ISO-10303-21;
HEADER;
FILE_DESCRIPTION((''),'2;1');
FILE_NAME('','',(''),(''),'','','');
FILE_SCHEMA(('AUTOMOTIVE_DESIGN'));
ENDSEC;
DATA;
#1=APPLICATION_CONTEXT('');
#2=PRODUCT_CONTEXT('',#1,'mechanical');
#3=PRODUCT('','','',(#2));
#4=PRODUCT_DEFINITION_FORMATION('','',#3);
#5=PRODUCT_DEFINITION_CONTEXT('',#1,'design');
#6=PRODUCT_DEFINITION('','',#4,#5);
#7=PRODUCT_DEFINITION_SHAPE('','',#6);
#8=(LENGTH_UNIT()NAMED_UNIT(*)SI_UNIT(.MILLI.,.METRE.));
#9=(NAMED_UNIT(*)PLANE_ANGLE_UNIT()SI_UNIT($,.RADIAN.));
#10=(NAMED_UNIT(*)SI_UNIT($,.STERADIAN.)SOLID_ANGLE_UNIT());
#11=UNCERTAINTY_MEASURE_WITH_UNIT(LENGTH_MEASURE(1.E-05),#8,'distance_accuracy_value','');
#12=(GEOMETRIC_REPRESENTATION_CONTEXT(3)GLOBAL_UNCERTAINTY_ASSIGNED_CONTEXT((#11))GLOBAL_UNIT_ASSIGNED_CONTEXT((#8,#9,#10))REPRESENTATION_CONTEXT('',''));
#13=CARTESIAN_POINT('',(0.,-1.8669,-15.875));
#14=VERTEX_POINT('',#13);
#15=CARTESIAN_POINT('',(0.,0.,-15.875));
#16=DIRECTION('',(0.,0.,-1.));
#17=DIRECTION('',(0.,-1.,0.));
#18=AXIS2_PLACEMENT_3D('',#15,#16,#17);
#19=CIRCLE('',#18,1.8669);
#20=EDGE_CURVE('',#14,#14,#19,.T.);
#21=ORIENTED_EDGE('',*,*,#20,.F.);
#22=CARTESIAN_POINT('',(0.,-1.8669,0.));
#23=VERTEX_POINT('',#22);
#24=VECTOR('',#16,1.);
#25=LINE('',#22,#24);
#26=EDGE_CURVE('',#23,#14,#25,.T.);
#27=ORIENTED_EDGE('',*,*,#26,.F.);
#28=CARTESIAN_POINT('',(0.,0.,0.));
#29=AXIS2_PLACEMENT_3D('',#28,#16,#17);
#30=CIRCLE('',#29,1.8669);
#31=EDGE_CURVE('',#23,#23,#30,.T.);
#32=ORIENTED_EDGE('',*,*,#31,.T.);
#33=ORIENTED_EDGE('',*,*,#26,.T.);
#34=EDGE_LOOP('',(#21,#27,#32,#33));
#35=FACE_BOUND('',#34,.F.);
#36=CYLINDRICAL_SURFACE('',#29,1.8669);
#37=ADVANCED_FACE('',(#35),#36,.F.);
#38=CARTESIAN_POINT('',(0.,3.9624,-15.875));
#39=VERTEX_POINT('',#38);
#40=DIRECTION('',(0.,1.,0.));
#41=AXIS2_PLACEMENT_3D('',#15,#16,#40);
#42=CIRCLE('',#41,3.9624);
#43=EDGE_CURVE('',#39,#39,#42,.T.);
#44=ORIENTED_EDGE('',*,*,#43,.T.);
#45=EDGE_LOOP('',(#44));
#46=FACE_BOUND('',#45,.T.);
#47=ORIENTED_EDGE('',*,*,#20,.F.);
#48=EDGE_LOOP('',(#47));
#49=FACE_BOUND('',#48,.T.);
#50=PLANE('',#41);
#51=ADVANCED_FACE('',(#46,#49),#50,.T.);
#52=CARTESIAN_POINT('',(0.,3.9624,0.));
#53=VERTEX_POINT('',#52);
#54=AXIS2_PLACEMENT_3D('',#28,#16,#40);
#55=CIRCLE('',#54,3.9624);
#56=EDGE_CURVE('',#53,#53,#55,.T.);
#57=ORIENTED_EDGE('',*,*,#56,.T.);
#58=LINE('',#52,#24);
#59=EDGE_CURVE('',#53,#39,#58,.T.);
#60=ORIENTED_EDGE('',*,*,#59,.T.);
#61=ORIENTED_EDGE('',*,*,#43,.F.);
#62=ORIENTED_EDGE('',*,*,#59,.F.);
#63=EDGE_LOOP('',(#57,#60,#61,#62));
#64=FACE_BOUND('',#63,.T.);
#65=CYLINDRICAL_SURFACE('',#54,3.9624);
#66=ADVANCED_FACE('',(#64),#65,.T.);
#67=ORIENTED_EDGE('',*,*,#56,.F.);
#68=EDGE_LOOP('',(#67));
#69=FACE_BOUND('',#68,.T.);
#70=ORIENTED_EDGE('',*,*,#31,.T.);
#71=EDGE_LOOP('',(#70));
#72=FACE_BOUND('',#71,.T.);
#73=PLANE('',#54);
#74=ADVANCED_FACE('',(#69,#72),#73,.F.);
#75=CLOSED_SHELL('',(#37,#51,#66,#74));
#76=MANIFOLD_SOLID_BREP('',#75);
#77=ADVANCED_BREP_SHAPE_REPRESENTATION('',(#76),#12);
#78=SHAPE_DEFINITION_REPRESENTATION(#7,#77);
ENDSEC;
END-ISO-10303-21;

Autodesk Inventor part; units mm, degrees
sketch "Sketch_1" plane through (0, 0, 0) normal (1, 0, 0) x (0, 1, 0)
  line L0 (0, -15.875) -> (0, 0)
  line L1 (0, 0) -> (3.9624, 0)
  line L2 (3.9624, 0) -> (3.9624, -15.875)
  line L3 (3.9624, -15.875) -> (0, -15.875)
  line L4 (0, -15.875) -> (0, 0)
revolve "Revolution1" add sketch "Sketch_1" angle 360 about axis through (0, 0, -15.875) along (0, 0, -1)
sketch "Sketch2" plane through (0, 0, 0) normal (0, 0, 1) x (1, 0, 0)
  point P0 (0, 0)
hole "Hole1" at (0, 0, 0) direction (0, 0, -1) diameter 3.7338 depth 15.875
ref_plane "screw_XY" through (0, 0, 0) normal (0, 0, 1) x (1, 0, 0)
ref_plane "screw_YZ" through (0, 0, 0) normal (1, 0, 0) x (0, 1, 0)
ref_plane "screw_ZX" through (0, 0, 0) normal (0, 1, 0) x (0, 0, 1)
properties part number "POST1.0625-0.625-bif"
